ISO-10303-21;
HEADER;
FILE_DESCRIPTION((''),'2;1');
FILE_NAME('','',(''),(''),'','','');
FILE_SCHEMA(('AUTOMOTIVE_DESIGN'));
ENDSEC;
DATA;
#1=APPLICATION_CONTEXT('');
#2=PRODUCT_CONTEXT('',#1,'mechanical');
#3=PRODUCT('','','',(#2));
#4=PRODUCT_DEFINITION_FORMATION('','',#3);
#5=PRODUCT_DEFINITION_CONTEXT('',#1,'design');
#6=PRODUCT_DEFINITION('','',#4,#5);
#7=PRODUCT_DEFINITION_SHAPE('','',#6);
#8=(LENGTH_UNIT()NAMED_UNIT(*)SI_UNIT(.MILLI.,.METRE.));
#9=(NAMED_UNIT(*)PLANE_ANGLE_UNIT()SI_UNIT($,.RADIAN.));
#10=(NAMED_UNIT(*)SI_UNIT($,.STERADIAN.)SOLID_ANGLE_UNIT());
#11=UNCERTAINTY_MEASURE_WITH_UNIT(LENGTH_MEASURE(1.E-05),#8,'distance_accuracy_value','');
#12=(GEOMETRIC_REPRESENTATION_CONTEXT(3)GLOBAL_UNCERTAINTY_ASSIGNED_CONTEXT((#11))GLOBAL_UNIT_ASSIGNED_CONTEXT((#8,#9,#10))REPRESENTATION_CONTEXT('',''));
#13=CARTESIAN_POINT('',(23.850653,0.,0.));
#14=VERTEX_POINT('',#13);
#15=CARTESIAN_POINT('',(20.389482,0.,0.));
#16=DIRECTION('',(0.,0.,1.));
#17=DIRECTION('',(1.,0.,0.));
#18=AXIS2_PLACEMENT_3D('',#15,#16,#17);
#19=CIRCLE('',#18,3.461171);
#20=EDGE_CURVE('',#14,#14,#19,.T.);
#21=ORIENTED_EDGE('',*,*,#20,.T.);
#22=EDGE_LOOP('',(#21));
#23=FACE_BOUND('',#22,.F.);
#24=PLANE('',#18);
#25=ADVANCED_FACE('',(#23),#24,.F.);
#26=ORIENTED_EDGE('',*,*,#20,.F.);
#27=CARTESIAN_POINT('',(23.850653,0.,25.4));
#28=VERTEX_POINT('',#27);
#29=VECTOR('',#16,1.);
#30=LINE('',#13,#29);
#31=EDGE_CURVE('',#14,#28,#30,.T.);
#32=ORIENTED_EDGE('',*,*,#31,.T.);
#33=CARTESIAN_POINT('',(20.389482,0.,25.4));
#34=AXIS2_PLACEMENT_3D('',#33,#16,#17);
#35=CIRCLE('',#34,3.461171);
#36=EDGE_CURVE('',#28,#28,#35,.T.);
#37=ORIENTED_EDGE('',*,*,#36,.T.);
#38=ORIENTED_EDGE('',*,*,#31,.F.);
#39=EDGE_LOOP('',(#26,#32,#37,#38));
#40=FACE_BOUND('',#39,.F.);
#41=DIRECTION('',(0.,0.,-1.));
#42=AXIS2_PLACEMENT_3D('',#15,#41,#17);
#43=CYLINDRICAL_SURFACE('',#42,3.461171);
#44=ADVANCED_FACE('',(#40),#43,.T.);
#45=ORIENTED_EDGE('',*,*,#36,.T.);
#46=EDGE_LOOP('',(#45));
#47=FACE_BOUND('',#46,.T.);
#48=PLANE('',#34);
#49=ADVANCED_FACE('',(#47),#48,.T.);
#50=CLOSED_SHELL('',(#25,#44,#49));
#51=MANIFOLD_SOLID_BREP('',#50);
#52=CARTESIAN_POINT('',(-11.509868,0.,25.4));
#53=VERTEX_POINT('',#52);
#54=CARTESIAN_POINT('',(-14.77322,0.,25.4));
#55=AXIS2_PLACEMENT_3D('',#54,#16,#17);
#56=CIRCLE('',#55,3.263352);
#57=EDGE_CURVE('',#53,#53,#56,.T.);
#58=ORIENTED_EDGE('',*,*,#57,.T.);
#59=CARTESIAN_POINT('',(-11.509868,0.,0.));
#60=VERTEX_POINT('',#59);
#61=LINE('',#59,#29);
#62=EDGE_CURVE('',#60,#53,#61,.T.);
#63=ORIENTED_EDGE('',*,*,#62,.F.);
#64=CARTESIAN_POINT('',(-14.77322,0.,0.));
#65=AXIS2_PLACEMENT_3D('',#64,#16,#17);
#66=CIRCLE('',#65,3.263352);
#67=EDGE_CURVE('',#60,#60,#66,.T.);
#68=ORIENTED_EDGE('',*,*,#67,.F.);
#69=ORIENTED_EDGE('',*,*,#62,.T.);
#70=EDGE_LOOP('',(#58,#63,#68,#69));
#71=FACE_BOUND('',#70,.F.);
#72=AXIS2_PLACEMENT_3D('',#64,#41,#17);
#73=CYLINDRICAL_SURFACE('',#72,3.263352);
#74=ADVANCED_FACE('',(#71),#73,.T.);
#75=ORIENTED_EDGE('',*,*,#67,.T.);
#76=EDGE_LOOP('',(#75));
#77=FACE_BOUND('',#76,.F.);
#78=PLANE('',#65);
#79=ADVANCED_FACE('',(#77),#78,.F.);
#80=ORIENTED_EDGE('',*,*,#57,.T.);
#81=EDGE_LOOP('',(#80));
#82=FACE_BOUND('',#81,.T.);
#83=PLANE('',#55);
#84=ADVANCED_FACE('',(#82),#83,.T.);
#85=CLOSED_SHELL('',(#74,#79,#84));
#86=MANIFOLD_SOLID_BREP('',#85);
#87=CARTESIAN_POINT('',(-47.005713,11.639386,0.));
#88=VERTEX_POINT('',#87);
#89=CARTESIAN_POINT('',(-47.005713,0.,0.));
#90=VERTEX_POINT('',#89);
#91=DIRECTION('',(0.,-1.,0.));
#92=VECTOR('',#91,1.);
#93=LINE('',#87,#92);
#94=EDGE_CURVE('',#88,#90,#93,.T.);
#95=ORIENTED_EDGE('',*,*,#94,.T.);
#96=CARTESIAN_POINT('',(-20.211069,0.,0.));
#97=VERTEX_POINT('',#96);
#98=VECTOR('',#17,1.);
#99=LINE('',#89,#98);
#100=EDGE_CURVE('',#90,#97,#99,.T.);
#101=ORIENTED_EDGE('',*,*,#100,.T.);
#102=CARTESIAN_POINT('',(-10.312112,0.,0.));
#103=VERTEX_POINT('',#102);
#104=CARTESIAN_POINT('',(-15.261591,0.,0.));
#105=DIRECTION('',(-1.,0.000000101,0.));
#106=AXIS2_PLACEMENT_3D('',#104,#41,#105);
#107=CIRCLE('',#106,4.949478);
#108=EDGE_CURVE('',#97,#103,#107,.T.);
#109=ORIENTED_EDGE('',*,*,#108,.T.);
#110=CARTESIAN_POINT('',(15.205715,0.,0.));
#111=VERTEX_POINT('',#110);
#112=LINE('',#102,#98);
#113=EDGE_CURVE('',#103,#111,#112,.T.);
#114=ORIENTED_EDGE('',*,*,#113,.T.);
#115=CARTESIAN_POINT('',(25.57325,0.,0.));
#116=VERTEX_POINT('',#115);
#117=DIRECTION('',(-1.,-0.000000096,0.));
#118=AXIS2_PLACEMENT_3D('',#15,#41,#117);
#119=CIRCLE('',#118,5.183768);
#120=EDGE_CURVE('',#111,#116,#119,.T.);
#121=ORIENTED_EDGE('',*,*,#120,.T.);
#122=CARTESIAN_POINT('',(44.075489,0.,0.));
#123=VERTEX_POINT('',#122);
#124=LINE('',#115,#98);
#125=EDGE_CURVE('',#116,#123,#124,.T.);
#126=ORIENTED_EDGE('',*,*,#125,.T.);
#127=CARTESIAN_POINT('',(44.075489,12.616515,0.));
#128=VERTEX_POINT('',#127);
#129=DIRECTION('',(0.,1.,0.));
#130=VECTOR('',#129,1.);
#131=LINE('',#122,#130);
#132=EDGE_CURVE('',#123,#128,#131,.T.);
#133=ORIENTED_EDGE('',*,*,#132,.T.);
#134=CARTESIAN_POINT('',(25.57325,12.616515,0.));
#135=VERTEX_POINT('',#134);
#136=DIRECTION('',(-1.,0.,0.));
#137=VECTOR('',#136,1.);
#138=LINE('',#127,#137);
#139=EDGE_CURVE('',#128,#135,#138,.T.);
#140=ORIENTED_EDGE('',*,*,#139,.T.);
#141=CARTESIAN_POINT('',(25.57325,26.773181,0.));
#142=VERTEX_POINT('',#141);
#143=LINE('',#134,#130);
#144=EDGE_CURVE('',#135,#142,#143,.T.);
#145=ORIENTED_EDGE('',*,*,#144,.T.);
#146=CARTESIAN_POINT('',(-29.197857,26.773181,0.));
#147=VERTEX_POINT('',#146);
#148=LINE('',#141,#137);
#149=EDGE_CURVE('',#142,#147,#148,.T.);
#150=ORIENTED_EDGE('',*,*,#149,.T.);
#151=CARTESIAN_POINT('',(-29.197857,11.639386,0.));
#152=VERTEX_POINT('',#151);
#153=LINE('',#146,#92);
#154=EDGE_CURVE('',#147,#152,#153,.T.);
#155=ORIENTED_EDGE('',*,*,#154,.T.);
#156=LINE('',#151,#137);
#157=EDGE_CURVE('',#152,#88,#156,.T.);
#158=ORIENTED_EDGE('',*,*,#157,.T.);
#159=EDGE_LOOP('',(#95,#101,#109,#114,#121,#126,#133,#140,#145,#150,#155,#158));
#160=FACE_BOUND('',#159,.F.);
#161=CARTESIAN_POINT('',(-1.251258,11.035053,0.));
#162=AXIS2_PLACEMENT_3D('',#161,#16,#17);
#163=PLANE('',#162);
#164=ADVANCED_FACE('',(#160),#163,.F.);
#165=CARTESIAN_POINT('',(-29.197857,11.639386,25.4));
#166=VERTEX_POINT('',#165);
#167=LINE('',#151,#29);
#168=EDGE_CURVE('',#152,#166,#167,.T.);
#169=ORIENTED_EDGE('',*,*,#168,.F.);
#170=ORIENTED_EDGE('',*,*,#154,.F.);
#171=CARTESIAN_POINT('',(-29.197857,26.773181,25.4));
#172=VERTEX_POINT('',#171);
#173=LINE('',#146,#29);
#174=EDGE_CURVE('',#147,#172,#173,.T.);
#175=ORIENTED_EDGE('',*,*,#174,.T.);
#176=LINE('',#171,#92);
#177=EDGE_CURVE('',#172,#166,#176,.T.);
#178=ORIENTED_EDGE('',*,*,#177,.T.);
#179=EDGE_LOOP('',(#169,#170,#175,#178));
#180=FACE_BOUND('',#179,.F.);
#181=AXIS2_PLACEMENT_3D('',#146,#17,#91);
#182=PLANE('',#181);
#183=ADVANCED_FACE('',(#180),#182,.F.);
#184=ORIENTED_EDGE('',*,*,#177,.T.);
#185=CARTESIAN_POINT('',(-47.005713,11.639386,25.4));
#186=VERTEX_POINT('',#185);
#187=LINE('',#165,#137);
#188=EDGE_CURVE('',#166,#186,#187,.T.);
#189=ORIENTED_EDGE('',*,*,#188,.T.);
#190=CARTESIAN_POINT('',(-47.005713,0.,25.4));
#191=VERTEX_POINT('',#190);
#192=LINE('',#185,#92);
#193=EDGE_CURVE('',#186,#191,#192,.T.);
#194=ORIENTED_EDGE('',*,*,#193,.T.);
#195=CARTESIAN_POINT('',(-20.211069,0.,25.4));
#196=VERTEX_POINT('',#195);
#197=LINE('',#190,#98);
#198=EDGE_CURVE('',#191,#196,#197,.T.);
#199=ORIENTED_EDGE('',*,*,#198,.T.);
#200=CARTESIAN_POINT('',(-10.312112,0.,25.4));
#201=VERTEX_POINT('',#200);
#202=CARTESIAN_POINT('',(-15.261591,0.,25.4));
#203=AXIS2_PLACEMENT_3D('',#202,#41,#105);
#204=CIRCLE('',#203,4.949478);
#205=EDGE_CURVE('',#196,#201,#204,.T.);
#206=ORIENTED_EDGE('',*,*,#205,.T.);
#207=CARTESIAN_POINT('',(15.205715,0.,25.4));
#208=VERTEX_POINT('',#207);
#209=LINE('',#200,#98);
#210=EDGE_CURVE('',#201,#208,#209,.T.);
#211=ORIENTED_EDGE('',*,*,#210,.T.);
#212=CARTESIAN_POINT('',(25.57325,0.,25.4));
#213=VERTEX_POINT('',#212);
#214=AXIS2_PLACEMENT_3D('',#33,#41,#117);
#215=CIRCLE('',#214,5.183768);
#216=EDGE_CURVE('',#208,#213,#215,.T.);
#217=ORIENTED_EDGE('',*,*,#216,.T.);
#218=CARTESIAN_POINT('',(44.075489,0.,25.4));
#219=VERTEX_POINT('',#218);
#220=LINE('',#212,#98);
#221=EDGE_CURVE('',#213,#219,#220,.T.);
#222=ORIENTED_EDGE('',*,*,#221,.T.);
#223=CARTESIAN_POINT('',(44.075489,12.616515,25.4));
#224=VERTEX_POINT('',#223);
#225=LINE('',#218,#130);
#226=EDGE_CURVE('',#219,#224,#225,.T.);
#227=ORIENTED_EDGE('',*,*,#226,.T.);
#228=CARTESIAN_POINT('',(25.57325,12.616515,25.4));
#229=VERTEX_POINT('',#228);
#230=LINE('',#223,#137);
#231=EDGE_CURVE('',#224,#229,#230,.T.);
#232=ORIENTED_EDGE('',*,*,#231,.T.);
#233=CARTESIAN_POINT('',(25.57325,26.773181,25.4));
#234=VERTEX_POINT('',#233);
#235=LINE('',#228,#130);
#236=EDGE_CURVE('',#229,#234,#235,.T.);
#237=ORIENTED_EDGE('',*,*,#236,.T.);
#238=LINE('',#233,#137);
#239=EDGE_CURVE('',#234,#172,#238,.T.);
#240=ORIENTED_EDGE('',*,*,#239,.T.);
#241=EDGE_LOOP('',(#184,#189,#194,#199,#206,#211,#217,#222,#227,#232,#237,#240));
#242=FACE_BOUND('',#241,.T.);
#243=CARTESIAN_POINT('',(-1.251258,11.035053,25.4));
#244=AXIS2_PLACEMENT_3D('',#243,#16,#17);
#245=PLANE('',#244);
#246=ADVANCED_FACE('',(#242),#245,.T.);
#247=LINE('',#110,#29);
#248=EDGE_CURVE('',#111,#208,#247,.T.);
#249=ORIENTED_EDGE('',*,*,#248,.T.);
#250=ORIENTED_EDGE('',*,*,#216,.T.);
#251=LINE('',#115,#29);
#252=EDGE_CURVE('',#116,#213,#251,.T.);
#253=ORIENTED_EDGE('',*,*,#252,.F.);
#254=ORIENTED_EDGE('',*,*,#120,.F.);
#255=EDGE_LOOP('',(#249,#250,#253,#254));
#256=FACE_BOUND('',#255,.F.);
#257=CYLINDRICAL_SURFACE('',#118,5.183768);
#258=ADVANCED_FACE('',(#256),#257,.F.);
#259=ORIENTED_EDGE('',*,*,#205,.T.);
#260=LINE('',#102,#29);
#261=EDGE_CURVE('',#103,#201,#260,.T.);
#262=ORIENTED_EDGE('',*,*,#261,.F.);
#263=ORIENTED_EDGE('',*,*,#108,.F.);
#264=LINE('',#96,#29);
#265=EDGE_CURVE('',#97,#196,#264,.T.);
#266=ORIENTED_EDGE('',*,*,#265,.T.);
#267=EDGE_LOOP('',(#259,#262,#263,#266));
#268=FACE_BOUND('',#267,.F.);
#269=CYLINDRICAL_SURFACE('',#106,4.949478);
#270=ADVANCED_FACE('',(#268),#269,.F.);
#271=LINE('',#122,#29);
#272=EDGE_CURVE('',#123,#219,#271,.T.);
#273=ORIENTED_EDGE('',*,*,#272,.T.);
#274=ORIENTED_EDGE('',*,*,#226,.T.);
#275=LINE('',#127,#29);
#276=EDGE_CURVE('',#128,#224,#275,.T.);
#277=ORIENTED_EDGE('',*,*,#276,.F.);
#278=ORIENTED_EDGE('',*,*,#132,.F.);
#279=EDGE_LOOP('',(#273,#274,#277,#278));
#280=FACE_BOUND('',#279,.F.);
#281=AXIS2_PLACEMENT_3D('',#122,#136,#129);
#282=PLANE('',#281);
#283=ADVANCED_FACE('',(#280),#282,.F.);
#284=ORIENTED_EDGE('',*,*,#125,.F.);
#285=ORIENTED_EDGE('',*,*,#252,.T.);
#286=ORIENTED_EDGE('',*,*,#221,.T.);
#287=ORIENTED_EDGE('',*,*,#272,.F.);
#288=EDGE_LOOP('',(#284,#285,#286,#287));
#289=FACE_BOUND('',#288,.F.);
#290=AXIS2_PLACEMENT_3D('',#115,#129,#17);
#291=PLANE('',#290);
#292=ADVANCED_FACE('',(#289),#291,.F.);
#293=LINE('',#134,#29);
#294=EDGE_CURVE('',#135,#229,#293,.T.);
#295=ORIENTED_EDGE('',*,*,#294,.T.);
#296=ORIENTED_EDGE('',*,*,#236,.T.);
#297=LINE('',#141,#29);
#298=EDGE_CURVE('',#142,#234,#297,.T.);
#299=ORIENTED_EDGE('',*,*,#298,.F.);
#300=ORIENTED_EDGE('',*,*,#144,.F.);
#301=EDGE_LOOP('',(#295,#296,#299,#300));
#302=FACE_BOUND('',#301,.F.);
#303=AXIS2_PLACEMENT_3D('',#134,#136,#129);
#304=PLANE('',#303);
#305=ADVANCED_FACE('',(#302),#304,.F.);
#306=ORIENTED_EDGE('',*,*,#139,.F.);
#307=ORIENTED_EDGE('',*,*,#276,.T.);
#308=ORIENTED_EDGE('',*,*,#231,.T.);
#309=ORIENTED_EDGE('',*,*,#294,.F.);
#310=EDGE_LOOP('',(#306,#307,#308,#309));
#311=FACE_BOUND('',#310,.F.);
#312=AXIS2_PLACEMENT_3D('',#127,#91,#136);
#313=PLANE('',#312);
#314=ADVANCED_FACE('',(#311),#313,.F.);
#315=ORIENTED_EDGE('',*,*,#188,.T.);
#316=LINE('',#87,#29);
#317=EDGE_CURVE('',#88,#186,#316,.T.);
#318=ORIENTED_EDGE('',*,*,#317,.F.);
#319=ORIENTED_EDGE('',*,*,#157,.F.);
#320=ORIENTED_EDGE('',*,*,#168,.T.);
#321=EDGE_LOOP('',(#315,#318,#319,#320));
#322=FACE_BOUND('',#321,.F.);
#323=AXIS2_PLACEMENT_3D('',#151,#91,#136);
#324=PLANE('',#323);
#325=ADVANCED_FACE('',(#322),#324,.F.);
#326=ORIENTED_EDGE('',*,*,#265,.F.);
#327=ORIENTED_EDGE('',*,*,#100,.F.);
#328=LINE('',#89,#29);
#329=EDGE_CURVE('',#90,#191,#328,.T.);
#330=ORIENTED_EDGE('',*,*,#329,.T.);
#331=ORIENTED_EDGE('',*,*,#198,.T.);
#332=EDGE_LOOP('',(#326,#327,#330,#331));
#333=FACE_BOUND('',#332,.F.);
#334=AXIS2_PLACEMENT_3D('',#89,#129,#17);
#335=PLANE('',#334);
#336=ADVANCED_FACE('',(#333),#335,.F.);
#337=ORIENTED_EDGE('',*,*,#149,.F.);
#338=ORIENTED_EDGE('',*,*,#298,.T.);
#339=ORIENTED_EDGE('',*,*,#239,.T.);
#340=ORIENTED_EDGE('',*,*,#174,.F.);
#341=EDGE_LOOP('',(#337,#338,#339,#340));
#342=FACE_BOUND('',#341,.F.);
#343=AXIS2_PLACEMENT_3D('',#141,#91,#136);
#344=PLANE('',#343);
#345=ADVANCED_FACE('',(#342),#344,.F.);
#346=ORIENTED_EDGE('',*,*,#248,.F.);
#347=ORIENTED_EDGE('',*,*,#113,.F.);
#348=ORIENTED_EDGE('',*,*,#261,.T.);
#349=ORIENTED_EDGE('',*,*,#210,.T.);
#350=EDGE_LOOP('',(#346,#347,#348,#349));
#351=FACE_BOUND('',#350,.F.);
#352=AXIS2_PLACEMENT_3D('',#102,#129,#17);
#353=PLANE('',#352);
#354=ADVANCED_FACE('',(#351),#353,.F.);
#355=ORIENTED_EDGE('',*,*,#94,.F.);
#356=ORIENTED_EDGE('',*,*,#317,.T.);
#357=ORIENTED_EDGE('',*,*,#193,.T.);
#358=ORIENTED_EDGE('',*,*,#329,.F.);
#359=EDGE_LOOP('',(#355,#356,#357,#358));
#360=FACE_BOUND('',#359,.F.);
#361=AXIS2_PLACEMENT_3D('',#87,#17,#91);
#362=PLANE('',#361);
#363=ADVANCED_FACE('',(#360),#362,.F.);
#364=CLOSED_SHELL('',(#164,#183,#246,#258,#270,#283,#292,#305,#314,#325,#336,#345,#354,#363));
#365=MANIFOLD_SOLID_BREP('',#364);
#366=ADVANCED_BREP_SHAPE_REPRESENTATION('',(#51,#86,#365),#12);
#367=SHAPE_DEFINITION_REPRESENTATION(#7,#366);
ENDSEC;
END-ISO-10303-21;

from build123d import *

# Parameters (mm, degrees)
F1_DEPTH = 25.4
F2_R     = 3.263352
F2_R_2   = 3.461171
F3_DEPTH = 25.4


with BuildPart() as f1:
    # F0 (on Top) → F1 (new body)
    with BuildSketch(Plane.XY):
        with BuildLine():
            Line((25.57325, 12.616515), (25.57325, 26.773181))
            Line((25.57325, 26.773181), (-29.197857, 26.773181))
            Line((-29.197857, 26.773181), (-29.197857, 11.639386))
            Line((-29.197857, 11.639386), (-47.005713, 11.639386))
            Line((-47.005713, 11.639386), (-47.005713, 0))
            Line((-47.005713, 0), (-29.197857, 0))
            Line((-29.197857, 0), (-20.211069, 0))
            ThreePointArc((-20.211069, 0), (-15.26159, 4.949478), (-10.312112, 0))
            Line((-10.312112, 0), (15.205715, 0))
            ThreePointArc((15.205715, 0), (20.389482, 5.183768), (25.57325, 0))
            Line((25.57325, 0), (44.075489, 0))
            Line((44.075489, 0), (44.075489, 12.616515))
            Line((44.075489, 12.616515), (25.57325, 12.616515))
        make_face()
    extrude(amount=F1_DEPTH)


with BuildPart() as f3:
    # F2 (on Top) → F3 (new body)
    with BuildSketch(Plane.XY):
        with Locations((-14.77322, 0)):
            Circle(F2_R)
        with Locations((20.389482, 0)):
            Circle(F2_R_2)
    extrude(amount=F3_DEPTH)


solid = Compound([f1.part, f3.part])
